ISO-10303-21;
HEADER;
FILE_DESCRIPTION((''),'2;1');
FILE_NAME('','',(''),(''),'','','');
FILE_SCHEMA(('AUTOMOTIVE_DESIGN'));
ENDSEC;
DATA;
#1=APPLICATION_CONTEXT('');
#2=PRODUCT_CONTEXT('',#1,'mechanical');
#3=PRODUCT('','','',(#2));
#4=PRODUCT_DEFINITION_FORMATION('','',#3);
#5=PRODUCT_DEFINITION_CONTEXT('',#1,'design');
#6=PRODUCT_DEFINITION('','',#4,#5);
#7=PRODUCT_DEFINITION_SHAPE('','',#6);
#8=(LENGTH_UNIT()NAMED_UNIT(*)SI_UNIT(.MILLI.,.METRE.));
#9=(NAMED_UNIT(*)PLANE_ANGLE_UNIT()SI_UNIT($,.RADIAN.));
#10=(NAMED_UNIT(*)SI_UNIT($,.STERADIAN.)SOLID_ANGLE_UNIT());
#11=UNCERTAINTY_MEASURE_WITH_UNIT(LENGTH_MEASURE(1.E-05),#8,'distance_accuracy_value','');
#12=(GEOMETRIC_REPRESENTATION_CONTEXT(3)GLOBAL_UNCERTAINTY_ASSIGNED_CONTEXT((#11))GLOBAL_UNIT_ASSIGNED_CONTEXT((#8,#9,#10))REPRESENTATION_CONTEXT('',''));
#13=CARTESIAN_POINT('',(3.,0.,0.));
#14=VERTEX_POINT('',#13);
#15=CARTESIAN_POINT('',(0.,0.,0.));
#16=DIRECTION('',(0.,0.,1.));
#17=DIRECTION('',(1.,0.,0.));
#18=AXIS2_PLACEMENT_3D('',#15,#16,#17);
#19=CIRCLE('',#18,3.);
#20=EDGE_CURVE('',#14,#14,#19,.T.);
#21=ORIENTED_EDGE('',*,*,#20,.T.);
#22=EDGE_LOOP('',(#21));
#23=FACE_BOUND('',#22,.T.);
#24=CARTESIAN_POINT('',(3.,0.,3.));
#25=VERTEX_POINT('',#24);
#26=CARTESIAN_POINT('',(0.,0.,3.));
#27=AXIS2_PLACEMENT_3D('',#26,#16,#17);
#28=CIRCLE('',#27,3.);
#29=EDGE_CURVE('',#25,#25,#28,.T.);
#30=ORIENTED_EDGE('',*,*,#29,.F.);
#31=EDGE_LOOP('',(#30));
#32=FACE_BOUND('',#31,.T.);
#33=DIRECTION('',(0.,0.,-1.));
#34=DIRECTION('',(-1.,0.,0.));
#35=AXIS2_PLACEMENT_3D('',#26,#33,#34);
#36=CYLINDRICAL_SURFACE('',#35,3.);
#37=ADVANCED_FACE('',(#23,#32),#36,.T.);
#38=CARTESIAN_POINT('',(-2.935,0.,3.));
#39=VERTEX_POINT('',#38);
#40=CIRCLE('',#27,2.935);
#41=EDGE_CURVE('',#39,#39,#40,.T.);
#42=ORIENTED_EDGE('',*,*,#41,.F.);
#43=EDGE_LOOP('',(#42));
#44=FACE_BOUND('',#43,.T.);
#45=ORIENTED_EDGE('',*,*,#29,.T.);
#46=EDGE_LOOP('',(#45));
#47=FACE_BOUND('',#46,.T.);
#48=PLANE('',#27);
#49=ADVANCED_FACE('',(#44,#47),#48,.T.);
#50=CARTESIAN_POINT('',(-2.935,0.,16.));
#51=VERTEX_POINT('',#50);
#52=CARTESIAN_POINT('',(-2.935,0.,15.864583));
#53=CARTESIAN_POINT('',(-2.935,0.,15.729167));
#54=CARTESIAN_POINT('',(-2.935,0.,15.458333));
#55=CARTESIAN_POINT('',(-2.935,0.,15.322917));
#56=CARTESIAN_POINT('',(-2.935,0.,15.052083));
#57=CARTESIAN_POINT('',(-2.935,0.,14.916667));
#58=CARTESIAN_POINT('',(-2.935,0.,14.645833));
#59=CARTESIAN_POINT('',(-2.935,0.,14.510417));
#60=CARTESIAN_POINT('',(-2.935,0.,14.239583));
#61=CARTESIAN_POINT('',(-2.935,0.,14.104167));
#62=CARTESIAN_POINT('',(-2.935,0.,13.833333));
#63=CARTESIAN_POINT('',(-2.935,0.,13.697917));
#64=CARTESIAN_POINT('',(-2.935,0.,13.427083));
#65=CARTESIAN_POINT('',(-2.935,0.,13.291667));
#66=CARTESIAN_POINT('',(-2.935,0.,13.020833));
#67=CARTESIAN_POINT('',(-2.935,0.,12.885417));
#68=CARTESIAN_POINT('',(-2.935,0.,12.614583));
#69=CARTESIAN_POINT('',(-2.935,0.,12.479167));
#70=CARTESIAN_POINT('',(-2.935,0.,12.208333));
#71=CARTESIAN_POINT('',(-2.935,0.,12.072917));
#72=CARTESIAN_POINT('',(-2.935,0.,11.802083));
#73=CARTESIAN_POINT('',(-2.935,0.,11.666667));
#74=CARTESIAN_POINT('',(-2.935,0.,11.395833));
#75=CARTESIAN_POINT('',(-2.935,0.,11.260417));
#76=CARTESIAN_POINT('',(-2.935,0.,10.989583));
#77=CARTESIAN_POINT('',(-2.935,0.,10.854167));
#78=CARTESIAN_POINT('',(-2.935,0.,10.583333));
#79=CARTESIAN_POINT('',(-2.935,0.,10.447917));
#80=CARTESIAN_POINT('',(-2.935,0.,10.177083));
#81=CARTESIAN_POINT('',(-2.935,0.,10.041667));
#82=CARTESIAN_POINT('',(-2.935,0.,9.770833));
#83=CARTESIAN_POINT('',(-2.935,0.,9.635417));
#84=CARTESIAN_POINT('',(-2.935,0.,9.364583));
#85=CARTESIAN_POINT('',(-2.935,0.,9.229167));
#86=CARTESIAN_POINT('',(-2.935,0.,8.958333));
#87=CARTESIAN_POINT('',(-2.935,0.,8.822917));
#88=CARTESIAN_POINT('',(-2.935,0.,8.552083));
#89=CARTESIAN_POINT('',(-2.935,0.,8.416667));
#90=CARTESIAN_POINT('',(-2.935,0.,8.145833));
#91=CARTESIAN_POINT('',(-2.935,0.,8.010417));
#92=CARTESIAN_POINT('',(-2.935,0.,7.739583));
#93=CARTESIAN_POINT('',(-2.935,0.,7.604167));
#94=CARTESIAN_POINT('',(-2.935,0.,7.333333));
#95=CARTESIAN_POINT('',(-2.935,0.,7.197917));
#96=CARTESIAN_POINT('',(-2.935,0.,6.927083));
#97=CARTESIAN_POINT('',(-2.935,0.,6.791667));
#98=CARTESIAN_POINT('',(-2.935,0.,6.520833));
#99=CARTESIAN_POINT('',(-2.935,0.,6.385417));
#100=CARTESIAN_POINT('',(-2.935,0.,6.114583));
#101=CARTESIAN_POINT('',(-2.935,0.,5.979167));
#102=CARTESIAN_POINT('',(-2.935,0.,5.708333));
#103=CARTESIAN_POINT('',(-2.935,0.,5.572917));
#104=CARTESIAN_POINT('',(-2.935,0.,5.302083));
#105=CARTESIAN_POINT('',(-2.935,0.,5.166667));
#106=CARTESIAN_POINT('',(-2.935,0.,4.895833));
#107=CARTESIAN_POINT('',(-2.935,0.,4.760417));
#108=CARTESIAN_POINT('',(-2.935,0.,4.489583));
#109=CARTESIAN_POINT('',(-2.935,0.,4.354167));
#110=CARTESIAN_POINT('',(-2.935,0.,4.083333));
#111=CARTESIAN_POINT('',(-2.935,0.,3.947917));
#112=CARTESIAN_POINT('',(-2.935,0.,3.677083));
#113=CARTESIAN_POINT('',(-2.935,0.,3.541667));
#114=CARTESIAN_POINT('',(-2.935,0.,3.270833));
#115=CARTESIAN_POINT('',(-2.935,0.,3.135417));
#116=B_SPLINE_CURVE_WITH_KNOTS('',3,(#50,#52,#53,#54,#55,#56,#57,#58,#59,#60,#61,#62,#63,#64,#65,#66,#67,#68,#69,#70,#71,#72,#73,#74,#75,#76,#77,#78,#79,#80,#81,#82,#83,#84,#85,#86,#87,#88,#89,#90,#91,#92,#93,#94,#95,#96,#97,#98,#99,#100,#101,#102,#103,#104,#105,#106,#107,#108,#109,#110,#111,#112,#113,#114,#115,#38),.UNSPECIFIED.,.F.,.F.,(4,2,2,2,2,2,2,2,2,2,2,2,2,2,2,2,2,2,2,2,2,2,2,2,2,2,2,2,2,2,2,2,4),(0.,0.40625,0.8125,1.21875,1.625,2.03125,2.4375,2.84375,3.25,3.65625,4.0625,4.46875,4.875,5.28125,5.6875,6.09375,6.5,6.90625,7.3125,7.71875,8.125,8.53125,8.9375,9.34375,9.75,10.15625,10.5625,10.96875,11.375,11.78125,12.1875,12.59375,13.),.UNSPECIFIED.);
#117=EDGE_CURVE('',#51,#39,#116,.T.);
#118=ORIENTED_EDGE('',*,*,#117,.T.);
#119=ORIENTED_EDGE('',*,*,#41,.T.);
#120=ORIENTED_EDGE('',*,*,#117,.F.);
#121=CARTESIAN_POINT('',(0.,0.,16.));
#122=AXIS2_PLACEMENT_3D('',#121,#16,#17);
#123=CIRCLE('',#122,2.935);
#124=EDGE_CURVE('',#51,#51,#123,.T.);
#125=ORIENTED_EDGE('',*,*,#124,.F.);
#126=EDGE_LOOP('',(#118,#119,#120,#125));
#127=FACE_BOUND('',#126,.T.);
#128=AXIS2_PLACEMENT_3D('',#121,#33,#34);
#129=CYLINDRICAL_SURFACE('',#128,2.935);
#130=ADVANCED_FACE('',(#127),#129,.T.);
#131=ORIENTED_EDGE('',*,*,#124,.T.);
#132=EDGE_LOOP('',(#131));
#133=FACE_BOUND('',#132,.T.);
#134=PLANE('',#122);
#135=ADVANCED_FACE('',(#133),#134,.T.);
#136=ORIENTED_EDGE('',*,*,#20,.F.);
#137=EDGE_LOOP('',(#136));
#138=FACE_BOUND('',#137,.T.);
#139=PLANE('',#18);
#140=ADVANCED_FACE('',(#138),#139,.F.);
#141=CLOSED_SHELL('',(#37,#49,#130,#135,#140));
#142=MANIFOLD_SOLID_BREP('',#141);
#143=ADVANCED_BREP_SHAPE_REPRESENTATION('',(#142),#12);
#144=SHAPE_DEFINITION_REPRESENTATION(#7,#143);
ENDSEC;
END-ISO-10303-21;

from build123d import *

# Parameters (mm, degrees)
SKETCH_1_R      = 3
EXTRUDE_1_DEPTH = 3
SKETCH_2_R      = 2.935
EXTRUDE_2_DEPTH = 13


with BuildPart() as part:
    # 스케치1 → 보스-돌출1 (new body)
    with BuildSketch(Plane.XY):
        Circle(SKETCH_1_R)
    extrude(amount=EXTRUDE_1_DEPTH)

    # 스케치2 → 보스-돌출2 (add)
    with BuildSketch(Plane.XY.offset(3)):
        with Locations(Location((0, 0, 0), (0, 0, 180))):
            Circle(SKETCH_2_R)
    extrude(amount=EXTRUDE_2_DEPTH)


solid = part.part
